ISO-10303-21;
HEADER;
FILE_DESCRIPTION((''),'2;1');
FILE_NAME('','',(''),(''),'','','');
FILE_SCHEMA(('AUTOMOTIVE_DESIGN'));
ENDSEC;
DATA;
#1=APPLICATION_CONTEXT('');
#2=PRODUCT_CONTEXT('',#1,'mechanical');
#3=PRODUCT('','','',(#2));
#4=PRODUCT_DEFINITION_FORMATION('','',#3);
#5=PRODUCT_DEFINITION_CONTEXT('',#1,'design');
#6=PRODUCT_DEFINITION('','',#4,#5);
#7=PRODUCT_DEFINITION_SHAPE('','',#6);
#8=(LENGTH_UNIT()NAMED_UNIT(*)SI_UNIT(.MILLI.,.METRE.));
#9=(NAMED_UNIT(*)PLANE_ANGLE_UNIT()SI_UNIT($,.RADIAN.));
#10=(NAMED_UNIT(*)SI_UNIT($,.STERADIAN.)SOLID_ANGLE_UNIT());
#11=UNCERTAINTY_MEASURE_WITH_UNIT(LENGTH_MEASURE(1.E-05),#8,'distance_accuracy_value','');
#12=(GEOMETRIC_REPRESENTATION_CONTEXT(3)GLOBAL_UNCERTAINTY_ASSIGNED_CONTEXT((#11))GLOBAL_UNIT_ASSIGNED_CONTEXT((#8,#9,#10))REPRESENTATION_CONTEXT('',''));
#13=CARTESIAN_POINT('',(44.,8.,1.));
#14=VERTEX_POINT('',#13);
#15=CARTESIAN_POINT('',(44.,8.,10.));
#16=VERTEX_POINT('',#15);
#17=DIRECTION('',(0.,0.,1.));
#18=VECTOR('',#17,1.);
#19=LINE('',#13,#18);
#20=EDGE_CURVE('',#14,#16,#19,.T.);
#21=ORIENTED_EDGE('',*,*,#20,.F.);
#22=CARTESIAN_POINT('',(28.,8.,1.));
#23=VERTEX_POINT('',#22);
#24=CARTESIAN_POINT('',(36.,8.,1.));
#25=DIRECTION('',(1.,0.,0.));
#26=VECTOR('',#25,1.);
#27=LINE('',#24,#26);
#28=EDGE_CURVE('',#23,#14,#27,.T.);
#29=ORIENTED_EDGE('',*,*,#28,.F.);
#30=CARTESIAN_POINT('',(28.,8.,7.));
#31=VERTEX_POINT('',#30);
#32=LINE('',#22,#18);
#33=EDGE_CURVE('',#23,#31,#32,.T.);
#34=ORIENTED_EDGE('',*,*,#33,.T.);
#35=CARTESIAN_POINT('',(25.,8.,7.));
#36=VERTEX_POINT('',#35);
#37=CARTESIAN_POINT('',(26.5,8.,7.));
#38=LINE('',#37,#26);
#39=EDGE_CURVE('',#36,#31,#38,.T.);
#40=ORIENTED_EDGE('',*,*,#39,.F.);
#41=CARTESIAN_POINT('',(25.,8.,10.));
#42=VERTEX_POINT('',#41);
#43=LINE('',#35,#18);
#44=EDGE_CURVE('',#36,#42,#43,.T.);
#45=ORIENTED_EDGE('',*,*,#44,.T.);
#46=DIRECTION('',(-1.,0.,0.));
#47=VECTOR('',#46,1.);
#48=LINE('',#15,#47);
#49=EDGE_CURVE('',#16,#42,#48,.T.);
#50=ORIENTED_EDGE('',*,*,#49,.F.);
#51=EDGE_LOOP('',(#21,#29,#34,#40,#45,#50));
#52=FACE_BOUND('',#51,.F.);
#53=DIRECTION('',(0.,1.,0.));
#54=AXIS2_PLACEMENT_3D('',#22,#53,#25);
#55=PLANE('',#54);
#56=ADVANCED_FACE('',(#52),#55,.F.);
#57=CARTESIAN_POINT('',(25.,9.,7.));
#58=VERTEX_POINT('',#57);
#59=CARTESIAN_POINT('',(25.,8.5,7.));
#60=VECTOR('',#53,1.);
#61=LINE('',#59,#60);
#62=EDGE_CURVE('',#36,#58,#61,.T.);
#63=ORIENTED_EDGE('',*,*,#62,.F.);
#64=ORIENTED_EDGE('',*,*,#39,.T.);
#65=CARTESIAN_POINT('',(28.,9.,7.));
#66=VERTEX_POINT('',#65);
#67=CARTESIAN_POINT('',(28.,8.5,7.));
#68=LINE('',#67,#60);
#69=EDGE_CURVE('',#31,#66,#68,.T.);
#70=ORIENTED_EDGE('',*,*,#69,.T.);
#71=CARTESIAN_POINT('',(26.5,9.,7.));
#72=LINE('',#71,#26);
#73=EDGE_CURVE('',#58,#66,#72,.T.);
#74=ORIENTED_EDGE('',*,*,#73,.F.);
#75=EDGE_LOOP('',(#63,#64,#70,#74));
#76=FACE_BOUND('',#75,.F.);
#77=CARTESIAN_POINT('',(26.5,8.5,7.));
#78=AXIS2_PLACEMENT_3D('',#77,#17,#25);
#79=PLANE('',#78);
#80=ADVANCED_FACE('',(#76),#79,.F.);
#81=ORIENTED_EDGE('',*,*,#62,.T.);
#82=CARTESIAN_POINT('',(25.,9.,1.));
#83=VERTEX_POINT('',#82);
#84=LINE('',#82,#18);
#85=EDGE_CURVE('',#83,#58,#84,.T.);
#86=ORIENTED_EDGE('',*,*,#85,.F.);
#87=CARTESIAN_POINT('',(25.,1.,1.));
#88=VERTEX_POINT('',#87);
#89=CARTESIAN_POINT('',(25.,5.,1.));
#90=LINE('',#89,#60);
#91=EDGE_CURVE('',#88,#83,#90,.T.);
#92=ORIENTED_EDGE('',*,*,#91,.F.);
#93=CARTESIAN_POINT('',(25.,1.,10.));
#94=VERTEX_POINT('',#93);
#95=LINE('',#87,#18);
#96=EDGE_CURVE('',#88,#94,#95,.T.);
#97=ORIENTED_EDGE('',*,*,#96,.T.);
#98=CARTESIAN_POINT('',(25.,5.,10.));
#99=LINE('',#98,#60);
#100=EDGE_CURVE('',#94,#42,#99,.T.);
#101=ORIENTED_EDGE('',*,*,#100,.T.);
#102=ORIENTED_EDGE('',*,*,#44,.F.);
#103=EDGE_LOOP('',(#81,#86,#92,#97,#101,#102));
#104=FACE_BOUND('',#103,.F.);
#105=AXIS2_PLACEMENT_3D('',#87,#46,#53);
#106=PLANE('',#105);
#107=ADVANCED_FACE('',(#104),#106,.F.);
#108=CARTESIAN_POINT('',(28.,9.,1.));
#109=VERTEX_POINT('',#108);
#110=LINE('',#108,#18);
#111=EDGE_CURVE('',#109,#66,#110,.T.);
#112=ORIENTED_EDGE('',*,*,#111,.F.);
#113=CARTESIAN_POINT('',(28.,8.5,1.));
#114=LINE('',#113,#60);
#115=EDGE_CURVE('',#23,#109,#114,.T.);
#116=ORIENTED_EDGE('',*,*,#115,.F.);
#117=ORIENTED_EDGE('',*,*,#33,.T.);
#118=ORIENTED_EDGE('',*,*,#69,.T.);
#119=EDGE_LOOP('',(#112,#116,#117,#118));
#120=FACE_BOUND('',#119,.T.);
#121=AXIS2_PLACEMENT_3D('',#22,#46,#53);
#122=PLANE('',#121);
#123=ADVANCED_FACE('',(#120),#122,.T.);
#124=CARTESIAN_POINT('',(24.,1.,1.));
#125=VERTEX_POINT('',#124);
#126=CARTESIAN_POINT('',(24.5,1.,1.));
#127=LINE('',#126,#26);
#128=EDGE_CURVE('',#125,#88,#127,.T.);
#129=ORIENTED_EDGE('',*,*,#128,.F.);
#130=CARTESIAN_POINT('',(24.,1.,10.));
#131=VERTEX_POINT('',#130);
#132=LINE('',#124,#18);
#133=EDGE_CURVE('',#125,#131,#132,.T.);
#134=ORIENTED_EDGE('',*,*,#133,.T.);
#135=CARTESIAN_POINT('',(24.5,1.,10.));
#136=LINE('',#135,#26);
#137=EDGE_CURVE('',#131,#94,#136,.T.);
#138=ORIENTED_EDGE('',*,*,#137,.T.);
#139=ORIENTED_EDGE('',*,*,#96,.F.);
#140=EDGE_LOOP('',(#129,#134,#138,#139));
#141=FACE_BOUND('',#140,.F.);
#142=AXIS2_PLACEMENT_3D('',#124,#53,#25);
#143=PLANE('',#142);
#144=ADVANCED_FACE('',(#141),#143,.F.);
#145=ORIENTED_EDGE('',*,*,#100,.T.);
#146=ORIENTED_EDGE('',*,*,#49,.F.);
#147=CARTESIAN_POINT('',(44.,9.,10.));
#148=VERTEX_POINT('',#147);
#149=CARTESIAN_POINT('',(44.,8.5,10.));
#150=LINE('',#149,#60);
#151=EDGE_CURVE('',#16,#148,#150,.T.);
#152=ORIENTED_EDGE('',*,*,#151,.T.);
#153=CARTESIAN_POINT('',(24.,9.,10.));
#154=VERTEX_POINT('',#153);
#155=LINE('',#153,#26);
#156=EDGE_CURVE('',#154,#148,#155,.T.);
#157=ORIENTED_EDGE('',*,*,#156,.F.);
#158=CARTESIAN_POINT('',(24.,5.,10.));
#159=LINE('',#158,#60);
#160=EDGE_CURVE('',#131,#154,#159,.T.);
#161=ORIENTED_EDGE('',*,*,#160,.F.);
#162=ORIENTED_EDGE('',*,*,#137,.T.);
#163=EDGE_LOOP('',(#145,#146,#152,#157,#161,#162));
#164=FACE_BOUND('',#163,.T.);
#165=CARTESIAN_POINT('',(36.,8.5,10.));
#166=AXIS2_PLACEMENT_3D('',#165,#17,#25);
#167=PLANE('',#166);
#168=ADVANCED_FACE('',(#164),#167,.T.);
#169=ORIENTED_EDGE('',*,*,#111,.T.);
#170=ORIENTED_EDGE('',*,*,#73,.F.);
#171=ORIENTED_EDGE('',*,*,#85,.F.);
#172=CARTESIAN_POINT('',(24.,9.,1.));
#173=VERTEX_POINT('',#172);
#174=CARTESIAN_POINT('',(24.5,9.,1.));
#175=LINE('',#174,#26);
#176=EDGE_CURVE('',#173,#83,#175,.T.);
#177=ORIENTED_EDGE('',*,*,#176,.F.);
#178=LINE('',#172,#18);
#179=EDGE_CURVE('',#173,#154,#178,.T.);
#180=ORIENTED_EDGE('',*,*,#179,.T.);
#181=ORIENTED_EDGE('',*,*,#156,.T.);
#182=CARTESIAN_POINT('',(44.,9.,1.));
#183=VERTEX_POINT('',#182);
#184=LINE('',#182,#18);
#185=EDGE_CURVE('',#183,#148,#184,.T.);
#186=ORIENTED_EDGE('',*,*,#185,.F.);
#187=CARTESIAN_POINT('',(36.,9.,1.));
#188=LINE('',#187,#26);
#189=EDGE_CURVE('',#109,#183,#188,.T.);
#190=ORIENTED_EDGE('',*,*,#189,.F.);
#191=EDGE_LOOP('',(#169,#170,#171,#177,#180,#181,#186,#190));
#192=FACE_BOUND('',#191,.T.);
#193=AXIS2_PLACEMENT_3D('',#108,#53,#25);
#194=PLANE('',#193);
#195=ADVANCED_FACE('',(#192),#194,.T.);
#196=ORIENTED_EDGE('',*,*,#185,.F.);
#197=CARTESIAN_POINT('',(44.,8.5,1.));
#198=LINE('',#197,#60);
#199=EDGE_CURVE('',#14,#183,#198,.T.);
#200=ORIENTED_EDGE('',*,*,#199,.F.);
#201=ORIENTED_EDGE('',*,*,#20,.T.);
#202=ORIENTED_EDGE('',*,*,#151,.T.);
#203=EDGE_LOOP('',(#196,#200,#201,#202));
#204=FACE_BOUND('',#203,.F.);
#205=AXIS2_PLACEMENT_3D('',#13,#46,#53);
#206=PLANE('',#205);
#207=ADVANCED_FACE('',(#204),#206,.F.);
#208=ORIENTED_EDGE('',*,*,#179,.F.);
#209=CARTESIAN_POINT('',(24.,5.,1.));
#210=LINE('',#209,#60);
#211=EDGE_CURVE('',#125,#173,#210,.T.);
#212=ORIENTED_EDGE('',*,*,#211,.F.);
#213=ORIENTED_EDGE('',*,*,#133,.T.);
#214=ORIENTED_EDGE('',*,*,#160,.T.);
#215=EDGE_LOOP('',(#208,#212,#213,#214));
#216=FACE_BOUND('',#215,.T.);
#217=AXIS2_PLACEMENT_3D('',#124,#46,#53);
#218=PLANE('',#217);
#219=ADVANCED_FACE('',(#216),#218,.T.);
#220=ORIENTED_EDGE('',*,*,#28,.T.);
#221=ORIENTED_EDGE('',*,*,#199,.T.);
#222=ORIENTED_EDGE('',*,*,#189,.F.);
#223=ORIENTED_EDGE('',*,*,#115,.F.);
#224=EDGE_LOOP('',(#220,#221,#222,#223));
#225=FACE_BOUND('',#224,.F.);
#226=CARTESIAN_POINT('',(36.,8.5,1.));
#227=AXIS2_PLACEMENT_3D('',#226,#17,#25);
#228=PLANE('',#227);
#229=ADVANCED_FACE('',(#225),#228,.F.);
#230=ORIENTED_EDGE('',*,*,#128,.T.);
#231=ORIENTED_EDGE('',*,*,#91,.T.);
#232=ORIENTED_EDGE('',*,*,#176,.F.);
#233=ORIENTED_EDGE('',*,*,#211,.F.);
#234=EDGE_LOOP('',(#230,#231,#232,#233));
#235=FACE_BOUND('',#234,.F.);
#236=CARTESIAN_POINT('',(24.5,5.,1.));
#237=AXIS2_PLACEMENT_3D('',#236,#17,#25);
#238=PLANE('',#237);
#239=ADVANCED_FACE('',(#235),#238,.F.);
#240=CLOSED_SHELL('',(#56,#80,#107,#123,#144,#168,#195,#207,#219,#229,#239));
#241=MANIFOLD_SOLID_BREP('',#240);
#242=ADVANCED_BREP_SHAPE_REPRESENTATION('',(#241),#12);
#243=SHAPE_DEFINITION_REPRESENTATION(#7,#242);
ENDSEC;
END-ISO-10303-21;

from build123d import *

# Parameters (mm, degrees)
BOX008_W     = 1
BOX008_H     = 8
BOX008_DEPTH = 9
BOX009_W     = 16
BOX009_H     = 1
BOX009_DEPTH = 9
BOX010_W     = 3
BOX010_H     = 1
BOX010_DEPTH = 3


with BuildPart() as box008:
    # Box008 → Box008 (new body)
    with BuildSketch(Plane(origin=(24, 1, 1), x_dir=(1, 0, 0), z_dir=(0, 0, 1))):
        with Locations((0.5, 4)):
            Rectangle(BOX008_W, BOX008_H)
    extrude(amount=BOX008_DEPTH)


with BuildPart() as box009:
    # Box009 → Box009 (new body)
    with BuildSketch(Plane(origin=(28, 8, 1), x_dir=(1, 0, 0), z_dir=(0, 0, 1))):
        with Locations((8, 0.5)):
            Rectangle(BOX009_W, BOX009_H)
    extrude(amount=BOX009_DEPTH)


with BuildPart() as fusion005:
    # Box010 → Box010 (new body)
    with BuildSketch(Plane(origin=(25, 8, 7), x_dir=(1, 0, 0), z_dir=(0, 0, 1))):
        with Locations((1.5, 0.5)):
            Rectangle(BOX010_W, BOX010_H)
    extrude(amount=BOX010_DEPTH)

    # Fusion005: union Box008, Box009
    add(box008.part)
    add(box009.part)


solid = fusion005.part
